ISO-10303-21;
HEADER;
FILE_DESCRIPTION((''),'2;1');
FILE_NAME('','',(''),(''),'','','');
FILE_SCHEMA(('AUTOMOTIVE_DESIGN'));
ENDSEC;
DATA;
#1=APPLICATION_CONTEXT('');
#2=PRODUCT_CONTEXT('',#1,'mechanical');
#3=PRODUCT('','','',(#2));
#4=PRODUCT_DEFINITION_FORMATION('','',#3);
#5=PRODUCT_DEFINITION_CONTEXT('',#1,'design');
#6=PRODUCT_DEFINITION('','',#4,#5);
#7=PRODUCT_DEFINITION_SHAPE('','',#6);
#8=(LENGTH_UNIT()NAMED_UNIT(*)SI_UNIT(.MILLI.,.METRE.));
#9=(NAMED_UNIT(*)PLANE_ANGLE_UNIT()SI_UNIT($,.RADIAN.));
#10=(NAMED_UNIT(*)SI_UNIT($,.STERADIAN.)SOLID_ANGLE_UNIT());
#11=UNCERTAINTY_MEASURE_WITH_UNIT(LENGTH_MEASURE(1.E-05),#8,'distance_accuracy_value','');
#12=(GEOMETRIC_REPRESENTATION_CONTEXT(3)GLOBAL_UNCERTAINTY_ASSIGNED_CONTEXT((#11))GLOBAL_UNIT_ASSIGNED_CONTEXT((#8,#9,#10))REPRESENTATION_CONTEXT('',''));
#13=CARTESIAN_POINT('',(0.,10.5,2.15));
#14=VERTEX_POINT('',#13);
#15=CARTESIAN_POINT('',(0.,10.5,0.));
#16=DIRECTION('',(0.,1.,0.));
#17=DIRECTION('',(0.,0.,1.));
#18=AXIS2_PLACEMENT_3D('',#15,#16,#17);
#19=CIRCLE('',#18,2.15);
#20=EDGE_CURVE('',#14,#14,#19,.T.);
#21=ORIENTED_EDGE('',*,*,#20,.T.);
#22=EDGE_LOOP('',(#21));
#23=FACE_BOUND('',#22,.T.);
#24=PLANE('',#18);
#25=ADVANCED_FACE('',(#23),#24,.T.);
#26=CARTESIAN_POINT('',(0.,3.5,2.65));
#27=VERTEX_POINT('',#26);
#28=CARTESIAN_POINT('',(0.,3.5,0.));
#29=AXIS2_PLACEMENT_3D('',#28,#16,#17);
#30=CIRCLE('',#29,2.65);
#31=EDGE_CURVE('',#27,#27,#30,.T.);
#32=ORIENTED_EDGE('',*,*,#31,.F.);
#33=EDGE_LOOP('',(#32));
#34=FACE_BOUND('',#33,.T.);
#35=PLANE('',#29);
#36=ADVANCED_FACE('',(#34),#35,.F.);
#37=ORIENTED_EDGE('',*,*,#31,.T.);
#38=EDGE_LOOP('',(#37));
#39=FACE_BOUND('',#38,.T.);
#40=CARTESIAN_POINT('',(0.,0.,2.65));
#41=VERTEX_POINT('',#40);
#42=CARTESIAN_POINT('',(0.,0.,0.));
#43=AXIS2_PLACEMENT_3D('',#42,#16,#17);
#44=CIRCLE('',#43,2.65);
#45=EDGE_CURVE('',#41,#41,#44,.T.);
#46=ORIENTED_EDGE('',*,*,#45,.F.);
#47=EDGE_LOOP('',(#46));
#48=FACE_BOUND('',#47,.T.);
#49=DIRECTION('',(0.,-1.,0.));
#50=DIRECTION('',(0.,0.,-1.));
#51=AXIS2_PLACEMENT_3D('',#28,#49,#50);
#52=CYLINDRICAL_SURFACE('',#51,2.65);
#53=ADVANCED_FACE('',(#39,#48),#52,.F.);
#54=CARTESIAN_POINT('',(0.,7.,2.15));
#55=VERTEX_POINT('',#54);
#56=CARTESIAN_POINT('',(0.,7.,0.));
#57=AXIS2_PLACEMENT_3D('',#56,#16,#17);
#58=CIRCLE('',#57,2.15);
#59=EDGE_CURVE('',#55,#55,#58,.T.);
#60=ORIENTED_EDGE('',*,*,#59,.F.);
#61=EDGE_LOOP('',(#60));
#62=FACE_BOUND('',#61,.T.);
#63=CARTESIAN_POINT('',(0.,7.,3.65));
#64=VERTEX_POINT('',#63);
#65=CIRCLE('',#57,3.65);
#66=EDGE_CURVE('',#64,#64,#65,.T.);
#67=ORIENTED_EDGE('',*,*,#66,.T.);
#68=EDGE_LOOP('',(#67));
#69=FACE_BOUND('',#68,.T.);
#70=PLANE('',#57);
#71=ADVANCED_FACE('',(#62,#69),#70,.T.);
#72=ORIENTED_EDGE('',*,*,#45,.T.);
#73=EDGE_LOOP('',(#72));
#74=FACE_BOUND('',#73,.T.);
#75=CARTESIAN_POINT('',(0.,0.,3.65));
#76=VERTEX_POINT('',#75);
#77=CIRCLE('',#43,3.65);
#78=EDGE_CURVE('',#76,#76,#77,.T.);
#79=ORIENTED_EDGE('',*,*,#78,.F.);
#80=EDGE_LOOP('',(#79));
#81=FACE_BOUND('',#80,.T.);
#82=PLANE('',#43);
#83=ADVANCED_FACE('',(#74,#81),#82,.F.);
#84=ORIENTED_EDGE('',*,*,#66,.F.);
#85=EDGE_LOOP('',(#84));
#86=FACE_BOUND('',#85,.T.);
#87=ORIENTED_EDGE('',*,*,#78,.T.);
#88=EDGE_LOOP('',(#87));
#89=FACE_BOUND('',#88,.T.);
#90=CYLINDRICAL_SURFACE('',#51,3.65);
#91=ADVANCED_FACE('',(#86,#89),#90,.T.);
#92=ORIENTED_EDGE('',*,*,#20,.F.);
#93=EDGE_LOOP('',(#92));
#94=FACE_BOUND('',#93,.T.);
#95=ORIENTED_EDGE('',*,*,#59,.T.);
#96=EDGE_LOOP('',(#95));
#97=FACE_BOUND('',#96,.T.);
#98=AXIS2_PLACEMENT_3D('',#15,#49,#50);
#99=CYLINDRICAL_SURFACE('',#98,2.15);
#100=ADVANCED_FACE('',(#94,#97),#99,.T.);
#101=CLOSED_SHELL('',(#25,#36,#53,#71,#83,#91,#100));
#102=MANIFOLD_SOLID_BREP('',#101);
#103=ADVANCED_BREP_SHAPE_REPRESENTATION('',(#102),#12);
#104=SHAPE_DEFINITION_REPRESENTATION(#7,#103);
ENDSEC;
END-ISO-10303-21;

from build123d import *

# Parameters (mm, degrees)
CROQUIS1_R              = 3.65
CROQUIS1_R_2            = 2.65
SALIENTE_EXTRUIR1_DEPTH = 3.5
CROQUIS2_R              = 3.65
SALIENTE_EXTRUIR2_DEPTH = 3.5
CROQUIS3_R              = 2.15
SALIENTE_EXTRUIR3_DEPTH = 3.5


with BuildPart() as part:
    # Croquis1 → Saliente-Extruir1 (new body)
    with BuildSketch(Plane(origin=(0, 0, 0), x_dir=(1, 0, 0), z_dir=(0, 1, 0))):
        Circle(CROQUIS1_R)
        Circle(CROQUIS1_R_2, mode=Mode.SUBTRACT)
    extrude(amount=SALIENTE_EXTRUIR1_DEPTH)

    # Croquis2 → Saliente-Extruir2 (add)
    with BuildSketch(Plane(origin=(0, 3.5, 0), x_dir=(1, 0, 0), z_dir=(0, 1, 0))):
        Circle(CROQUIS2_R)
    extrude(amount=SALIENTE_EXTRUIR2_DEPTH)

    # Croquis3 → Saliente-Extruir3 (add)
    with BuildSketch(Plane(origin=(0, 7, 0), x_dir=(1, 0, 0), z_dir=(0, 1, 0))):
        Circle(CROQUIS3_R)
    extrude(amount=SALIENTE_EXTRUIR3_DEPTH)


solid = part.part
